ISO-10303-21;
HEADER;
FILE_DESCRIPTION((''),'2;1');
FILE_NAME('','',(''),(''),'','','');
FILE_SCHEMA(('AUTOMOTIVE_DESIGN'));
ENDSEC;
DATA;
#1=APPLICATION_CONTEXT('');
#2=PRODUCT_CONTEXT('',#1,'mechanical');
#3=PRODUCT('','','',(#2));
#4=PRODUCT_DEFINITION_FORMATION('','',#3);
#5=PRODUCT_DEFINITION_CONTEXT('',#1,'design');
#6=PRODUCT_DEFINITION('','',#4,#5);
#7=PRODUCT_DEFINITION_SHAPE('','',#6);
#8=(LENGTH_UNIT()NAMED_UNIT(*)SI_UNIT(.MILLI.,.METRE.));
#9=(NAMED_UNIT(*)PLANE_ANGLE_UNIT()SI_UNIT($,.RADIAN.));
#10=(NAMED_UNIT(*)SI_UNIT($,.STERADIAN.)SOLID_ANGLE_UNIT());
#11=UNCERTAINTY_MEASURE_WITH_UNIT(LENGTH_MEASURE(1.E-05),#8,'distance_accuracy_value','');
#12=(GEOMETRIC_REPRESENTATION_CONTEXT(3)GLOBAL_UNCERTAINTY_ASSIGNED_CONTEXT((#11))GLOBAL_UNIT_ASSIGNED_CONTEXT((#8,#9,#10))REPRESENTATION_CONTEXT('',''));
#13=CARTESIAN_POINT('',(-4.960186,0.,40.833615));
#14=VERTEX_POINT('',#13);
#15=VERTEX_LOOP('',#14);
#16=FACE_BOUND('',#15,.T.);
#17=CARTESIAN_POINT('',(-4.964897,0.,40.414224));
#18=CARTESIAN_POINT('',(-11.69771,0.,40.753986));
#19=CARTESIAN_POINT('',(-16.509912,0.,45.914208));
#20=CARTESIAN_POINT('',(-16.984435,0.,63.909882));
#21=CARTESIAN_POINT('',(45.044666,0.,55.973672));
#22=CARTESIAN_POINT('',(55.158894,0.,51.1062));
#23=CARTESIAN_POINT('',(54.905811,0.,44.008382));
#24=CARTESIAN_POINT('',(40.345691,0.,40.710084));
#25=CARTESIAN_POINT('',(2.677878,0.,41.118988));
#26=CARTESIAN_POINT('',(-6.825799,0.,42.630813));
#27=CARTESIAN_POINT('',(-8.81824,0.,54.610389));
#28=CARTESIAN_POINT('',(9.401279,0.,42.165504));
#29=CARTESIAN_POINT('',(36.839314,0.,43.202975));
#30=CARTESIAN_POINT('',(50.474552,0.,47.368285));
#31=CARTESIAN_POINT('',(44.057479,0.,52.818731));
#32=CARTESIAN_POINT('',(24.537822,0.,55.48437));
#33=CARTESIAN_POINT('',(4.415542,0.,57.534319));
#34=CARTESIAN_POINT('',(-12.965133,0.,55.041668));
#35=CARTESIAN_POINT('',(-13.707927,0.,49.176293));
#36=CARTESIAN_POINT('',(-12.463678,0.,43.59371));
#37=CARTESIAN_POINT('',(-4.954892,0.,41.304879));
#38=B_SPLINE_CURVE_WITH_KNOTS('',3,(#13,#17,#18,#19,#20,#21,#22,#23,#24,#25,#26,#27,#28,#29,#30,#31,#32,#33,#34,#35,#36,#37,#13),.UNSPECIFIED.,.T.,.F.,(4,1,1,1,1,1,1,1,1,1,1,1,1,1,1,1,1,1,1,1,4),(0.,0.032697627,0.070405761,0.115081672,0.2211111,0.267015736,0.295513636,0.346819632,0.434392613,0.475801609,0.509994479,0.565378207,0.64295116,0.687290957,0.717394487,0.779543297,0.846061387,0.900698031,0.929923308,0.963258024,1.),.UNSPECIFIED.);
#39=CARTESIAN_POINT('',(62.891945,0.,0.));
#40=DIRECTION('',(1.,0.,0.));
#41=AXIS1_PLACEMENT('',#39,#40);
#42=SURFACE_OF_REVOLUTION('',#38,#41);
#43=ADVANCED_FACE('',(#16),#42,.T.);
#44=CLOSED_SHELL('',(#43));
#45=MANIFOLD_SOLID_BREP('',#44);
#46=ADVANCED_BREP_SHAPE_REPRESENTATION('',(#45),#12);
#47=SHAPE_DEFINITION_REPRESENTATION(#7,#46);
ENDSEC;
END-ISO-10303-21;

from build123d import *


with BuildPart() as f1:
    # F0 (on Front) → F1 (revolve)
    with BuildSketch(Plane.XZ):
        with BuildLine():
            add(Edge.make_bspline(
                [(-4.9601858482, 40.8336147666), (-4.9648971927, 40.4142243036), (-11.6977098395, 40.7539858277), (-16.5099118193, 45.9142080183), (-16.9844345865, 63.9098820285), (45.0446663464, 55.9736723047), (55.1588942931, 51.106199755), (54.9058112226, 44.0083818229), (40.3456905822, 40.7100839573), (2.677878059, 41.1189877262), (-6.8257993828, 42.6308130334), (-8.8182398261, 54.6103893128), (9.4012792217, 42.1655040709), (36.8393135241, 43.202975064), (50.4745523386, 47.3682846112), (44.057479338, 52.8187309645), (24.5378223824, 55.4843703688), (4.4155415367, 57.5343189552), (-12.9651325947, 55.0416682619), (-13.7079266192, 49.1762934122), (-12.4636776809, 43.5937098303), (-4.9548917603, 41.3048793789), (-4.9601858482, 40.8336147666)],
                knots=[0, 0, 0, 0, 0.0326976271, 0.0704057615, 0.1150816721, 0.2211111002, 0.2670157357, 0.2955136356, 0.3468196325, 0.4343926134, 0.4758016092, 0.5099944791, 0.5653782074, 0.6429511599, 0.6872909568, 0.7173944872, 0.7795432975, 0.8460613871, 0.9006980307, 0.9299233081, 0.9632580235, 1, 1, 1, 1], degree=3))
        make_face()
    revolve(axis=Axis((62.8919452429, 0, 0), (1, 0, 0)))


solid = f1.part
